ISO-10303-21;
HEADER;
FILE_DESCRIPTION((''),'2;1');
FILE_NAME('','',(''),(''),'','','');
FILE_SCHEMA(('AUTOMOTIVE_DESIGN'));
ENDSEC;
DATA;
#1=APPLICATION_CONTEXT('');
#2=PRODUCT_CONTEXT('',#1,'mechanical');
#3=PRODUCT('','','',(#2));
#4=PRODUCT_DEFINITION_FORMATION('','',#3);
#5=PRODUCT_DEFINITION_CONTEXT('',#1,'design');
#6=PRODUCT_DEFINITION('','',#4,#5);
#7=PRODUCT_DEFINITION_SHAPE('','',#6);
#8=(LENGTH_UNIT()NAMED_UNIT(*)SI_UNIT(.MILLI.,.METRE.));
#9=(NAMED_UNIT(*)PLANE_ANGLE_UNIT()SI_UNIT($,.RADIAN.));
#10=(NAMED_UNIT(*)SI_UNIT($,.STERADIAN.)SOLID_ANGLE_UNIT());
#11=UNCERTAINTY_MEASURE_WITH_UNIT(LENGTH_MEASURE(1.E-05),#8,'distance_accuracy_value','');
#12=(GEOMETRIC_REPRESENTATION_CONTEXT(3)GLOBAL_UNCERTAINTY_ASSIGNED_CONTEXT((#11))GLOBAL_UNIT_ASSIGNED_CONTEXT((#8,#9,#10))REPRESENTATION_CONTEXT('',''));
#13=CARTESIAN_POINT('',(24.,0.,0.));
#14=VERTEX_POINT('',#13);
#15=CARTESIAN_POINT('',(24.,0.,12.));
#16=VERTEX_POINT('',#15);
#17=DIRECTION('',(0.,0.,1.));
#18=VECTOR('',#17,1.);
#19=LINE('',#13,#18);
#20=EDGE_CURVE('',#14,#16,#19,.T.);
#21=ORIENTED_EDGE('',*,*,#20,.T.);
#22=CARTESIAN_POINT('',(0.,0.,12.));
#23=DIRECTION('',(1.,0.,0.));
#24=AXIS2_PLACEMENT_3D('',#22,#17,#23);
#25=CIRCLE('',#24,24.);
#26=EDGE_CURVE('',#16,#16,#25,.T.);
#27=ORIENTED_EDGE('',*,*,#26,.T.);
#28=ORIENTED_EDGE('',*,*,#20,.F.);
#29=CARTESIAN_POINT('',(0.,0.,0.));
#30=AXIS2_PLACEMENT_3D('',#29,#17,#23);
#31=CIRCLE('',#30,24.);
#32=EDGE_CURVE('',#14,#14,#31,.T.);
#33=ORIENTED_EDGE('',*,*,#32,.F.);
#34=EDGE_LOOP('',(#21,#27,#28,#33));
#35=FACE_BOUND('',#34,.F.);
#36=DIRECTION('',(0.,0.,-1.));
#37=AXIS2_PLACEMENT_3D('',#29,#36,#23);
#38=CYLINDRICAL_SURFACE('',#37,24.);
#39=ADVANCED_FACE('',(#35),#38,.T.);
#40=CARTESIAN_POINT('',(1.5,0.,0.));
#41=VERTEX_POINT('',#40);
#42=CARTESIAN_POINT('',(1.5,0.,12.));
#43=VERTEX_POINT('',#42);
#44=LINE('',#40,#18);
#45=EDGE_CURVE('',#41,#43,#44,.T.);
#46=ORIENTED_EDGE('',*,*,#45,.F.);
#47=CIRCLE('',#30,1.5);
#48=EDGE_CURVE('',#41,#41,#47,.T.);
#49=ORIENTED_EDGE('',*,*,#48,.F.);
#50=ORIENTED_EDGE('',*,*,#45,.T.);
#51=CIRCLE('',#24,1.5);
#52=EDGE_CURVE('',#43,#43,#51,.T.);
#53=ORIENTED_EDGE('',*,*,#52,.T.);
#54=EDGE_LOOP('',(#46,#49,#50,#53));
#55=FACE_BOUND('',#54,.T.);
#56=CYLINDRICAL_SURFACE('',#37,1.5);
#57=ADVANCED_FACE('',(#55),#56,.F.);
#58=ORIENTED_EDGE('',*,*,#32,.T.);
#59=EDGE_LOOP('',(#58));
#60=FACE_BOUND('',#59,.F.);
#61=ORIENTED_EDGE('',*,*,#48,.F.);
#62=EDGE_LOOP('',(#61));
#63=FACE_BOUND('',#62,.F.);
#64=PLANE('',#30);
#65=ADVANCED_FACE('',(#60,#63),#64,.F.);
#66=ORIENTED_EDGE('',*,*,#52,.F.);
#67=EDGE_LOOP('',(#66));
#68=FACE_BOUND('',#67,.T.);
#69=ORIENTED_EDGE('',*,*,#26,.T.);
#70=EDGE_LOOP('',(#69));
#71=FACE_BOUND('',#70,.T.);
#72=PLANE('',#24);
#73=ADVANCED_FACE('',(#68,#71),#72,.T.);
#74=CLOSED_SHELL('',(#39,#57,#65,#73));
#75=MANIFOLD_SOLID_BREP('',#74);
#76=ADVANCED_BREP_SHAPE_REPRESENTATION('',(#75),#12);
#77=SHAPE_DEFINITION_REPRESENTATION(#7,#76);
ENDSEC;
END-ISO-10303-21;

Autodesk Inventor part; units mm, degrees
ref_plane "YZ Plane" through (0, 0, 0) normal (1, 0, 0) x (0, 1, 0)
ref_plane "XZ Plane" through (0, 0, 0) normal (0, 1, 0) x (-1, 0, 0)
ref_plane "XY Plane" through (0, 0, 0) normal (0, 0, 1) x (1, 0, 0)
sketch "Sketch1" plane through (0, 0, 0) normal (0, 0, 1) x (1, 0, 0)
  circle A0 centre (0, 0) radius 24
  circle A1 centre (0, 0) radius 1.5
  dimension "d0" = 48
  dimension "d1" = 3
extrude "Extrusion1" add sketch "Sketch1" along normal blind 12
properties part number "wheel"
